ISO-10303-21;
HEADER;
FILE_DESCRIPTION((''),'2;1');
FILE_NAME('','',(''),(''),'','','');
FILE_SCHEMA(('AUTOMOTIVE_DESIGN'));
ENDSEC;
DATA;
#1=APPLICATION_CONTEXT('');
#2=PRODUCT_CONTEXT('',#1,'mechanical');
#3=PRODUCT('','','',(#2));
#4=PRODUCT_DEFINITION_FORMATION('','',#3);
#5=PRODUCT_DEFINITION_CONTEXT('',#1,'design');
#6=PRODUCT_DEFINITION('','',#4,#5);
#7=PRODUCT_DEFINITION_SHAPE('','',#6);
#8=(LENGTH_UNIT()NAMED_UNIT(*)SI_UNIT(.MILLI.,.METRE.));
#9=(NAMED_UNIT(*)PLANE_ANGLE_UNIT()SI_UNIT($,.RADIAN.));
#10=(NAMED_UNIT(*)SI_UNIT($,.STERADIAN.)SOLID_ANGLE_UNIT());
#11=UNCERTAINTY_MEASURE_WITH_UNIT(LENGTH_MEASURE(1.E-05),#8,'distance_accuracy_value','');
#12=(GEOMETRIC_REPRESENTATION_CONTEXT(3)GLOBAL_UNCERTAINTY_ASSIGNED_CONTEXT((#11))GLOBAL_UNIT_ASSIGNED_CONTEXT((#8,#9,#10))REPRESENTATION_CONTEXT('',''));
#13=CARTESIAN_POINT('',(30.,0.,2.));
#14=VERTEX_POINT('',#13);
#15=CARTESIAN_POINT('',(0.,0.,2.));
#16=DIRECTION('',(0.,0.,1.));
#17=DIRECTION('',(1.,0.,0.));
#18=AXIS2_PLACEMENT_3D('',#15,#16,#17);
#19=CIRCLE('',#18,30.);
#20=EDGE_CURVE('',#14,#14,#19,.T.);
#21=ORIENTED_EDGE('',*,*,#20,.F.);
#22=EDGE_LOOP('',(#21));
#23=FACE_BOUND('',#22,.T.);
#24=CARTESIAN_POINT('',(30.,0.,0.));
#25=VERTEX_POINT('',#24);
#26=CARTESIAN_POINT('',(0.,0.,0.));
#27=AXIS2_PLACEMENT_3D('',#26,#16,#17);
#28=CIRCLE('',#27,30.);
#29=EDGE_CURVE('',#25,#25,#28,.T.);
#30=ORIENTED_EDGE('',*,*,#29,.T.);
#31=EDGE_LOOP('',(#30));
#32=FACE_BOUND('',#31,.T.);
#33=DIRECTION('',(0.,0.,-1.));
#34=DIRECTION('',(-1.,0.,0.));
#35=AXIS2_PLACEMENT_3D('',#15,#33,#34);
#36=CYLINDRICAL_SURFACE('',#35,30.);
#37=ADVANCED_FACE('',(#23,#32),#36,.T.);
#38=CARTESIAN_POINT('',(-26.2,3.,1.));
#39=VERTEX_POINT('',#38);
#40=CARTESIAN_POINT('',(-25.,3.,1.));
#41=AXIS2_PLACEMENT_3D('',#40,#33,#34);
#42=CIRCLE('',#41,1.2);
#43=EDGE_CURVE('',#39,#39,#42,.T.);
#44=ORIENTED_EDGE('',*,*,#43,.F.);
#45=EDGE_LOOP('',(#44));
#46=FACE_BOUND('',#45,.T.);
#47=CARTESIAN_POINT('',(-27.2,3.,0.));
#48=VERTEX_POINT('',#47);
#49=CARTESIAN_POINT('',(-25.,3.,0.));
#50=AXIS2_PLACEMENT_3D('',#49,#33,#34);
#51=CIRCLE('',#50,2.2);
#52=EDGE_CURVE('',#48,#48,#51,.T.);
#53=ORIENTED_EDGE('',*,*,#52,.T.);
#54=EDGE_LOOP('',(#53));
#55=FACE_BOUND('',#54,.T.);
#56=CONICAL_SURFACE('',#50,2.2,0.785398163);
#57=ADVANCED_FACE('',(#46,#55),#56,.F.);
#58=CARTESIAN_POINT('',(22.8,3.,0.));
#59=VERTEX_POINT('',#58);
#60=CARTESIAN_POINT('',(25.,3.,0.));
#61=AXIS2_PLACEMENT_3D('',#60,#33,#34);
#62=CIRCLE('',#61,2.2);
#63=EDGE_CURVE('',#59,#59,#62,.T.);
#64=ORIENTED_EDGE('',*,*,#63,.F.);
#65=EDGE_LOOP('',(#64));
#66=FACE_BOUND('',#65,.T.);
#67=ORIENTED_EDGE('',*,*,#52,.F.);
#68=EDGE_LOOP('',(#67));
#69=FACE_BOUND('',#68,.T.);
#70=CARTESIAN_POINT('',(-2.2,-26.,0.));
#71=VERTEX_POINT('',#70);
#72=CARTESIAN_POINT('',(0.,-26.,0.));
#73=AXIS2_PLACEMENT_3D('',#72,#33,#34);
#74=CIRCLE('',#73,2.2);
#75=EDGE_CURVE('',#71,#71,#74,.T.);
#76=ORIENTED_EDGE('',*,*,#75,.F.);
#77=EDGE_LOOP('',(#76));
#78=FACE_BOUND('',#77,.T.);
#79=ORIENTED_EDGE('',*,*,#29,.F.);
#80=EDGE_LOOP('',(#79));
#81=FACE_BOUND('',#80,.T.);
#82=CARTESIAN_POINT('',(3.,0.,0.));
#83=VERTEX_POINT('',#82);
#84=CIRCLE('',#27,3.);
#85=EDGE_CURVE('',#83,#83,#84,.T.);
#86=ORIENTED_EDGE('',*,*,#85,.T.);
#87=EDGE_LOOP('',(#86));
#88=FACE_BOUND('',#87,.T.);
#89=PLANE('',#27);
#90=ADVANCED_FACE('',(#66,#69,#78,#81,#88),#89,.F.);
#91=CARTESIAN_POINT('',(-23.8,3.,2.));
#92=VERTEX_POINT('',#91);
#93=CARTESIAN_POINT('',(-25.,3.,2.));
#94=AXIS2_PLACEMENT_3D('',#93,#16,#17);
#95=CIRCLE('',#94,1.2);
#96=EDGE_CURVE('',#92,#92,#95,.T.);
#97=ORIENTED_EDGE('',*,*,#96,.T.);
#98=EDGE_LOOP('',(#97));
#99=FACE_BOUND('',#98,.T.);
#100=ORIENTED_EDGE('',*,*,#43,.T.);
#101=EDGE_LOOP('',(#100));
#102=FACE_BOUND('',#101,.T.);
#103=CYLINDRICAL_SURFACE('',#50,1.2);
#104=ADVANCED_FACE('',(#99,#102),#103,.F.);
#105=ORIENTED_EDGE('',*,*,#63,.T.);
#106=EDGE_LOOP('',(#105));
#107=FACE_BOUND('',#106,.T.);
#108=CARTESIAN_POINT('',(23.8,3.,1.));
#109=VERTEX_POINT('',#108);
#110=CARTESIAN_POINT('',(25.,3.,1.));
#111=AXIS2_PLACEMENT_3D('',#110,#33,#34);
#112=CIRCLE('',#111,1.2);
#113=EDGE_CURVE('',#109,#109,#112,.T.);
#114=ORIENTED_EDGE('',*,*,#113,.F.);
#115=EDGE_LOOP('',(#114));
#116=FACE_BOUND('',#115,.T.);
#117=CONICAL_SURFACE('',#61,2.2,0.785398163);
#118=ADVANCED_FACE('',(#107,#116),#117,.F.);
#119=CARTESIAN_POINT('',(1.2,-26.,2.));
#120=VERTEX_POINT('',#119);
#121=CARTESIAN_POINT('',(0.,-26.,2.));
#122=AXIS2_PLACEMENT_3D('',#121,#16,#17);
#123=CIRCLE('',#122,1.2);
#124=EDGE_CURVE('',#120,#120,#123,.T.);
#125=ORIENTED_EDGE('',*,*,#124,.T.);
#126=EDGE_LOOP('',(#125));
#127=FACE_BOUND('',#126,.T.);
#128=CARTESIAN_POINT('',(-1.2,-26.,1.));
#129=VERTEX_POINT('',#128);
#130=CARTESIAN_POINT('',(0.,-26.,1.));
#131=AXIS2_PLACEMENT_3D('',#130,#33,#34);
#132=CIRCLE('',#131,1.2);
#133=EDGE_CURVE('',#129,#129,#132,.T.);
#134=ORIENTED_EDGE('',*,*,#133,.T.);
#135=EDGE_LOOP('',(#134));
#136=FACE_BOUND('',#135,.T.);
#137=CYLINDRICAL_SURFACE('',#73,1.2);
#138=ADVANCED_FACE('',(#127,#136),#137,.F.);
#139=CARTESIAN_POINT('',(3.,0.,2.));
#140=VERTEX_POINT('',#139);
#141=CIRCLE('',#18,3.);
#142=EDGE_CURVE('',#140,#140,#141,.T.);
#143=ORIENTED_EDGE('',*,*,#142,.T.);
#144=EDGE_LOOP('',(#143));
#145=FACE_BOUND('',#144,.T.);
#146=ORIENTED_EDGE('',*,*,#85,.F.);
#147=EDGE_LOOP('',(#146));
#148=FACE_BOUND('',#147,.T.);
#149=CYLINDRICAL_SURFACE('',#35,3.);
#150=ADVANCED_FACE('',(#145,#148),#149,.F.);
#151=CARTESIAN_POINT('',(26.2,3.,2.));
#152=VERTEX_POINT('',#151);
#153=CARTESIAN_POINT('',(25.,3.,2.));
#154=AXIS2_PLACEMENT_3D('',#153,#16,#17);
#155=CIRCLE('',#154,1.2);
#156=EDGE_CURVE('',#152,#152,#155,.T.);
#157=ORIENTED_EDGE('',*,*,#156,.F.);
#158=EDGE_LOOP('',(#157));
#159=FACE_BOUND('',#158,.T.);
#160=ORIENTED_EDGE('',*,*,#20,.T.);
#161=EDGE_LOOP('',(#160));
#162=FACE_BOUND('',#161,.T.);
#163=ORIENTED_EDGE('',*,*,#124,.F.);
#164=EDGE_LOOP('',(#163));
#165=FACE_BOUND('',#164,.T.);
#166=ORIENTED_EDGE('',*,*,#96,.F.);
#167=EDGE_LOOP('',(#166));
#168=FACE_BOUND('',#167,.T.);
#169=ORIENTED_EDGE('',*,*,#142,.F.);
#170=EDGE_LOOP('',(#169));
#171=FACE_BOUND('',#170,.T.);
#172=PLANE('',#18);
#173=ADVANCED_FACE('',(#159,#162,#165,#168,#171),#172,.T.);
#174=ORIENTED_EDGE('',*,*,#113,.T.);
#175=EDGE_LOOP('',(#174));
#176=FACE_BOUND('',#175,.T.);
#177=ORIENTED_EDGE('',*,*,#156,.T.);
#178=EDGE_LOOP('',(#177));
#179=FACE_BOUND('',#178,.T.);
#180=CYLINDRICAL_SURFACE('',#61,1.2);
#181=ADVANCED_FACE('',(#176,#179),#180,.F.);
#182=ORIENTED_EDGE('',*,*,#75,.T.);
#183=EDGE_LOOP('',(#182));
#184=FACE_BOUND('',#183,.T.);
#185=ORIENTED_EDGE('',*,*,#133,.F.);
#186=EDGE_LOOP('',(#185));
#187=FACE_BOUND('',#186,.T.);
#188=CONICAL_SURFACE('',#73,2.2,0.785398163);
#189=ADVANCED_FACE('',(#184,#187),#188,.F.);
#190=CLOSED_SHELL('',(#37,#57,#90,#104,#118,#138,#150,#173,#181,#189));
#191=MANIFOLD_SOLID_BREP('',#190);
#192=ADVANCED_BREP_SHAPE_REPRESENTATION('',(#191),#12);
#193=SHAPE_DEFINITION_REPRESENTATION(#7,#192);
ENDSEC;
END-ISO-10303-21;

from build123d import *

# Parameters (mm, degrees)
SCHIZZO1_R                             = 30
SCHIZZO1_R_2                           = 3
ESTRUSIONE_ESTRUSIONE1_DEPTH           = 2
FORO_SVASATO_PER_VITE_M2_1_D           = 2.4
FORO_SVASATO_PER_VITE_M2_1_DEPTH       = 6
FORO_SVASATO_PER_VITE_M2_1_CSINK_D     = 4.4
FORO_SVASATO_PER_VITE_M2_1_CSINK_ANGLE = 90
FORO_SVASATO_PER_VITE_M2_1_TIP         = 0.721032743


with BuildPart() as part:
    # Schizzo1 → Estrusione-Estrusione1 (new body)
    with BuildSketch(Plane.XY):
        Circle(SCHIZZO1_R)
        Circle(SCHIZZO1_R_2, mode=Mode.SUBTRACT)
    extrude(amount=ESTRUSIONE_ESTRUSIONE1_DEPTH)

    # Foro svasato per Vite M2-1
    with Locations(Plane(origin=(0, 0, 0), x_dir=(-1, 0, 0), z_dir=(0, 0, -1))):
        with Locations((0, -26), (-25, 3), (25, 3)):
            CounterSinkHole(FORO_SVASATO_PER_VITE_M2_1_D / 2, FORO_SVASATO_PER_VITE_M2_1_CSINK_D / 2, depth=FORO_SVASATO_PER_VITE_M2_1_DEPTH, counter_sink_angle=FORO_SVASATO_PER_VITE_M2_1_CSINK_ANGLE)
            with Locations((0, 0, -(FORO_SVASATO_PER_VITE_M2_1_DEPTH + FORO_SVASATO_PER_VITE_M2_1_TIP / 2))):  # 118° drill point
                Cone(0, FORO_SVASATO_PER_VITE_M2_1_D / 2, FORO_SVASATO_PER_VITE_M2_1_TIP, mode=Mode.SUBTRACT)


solid = part.part
